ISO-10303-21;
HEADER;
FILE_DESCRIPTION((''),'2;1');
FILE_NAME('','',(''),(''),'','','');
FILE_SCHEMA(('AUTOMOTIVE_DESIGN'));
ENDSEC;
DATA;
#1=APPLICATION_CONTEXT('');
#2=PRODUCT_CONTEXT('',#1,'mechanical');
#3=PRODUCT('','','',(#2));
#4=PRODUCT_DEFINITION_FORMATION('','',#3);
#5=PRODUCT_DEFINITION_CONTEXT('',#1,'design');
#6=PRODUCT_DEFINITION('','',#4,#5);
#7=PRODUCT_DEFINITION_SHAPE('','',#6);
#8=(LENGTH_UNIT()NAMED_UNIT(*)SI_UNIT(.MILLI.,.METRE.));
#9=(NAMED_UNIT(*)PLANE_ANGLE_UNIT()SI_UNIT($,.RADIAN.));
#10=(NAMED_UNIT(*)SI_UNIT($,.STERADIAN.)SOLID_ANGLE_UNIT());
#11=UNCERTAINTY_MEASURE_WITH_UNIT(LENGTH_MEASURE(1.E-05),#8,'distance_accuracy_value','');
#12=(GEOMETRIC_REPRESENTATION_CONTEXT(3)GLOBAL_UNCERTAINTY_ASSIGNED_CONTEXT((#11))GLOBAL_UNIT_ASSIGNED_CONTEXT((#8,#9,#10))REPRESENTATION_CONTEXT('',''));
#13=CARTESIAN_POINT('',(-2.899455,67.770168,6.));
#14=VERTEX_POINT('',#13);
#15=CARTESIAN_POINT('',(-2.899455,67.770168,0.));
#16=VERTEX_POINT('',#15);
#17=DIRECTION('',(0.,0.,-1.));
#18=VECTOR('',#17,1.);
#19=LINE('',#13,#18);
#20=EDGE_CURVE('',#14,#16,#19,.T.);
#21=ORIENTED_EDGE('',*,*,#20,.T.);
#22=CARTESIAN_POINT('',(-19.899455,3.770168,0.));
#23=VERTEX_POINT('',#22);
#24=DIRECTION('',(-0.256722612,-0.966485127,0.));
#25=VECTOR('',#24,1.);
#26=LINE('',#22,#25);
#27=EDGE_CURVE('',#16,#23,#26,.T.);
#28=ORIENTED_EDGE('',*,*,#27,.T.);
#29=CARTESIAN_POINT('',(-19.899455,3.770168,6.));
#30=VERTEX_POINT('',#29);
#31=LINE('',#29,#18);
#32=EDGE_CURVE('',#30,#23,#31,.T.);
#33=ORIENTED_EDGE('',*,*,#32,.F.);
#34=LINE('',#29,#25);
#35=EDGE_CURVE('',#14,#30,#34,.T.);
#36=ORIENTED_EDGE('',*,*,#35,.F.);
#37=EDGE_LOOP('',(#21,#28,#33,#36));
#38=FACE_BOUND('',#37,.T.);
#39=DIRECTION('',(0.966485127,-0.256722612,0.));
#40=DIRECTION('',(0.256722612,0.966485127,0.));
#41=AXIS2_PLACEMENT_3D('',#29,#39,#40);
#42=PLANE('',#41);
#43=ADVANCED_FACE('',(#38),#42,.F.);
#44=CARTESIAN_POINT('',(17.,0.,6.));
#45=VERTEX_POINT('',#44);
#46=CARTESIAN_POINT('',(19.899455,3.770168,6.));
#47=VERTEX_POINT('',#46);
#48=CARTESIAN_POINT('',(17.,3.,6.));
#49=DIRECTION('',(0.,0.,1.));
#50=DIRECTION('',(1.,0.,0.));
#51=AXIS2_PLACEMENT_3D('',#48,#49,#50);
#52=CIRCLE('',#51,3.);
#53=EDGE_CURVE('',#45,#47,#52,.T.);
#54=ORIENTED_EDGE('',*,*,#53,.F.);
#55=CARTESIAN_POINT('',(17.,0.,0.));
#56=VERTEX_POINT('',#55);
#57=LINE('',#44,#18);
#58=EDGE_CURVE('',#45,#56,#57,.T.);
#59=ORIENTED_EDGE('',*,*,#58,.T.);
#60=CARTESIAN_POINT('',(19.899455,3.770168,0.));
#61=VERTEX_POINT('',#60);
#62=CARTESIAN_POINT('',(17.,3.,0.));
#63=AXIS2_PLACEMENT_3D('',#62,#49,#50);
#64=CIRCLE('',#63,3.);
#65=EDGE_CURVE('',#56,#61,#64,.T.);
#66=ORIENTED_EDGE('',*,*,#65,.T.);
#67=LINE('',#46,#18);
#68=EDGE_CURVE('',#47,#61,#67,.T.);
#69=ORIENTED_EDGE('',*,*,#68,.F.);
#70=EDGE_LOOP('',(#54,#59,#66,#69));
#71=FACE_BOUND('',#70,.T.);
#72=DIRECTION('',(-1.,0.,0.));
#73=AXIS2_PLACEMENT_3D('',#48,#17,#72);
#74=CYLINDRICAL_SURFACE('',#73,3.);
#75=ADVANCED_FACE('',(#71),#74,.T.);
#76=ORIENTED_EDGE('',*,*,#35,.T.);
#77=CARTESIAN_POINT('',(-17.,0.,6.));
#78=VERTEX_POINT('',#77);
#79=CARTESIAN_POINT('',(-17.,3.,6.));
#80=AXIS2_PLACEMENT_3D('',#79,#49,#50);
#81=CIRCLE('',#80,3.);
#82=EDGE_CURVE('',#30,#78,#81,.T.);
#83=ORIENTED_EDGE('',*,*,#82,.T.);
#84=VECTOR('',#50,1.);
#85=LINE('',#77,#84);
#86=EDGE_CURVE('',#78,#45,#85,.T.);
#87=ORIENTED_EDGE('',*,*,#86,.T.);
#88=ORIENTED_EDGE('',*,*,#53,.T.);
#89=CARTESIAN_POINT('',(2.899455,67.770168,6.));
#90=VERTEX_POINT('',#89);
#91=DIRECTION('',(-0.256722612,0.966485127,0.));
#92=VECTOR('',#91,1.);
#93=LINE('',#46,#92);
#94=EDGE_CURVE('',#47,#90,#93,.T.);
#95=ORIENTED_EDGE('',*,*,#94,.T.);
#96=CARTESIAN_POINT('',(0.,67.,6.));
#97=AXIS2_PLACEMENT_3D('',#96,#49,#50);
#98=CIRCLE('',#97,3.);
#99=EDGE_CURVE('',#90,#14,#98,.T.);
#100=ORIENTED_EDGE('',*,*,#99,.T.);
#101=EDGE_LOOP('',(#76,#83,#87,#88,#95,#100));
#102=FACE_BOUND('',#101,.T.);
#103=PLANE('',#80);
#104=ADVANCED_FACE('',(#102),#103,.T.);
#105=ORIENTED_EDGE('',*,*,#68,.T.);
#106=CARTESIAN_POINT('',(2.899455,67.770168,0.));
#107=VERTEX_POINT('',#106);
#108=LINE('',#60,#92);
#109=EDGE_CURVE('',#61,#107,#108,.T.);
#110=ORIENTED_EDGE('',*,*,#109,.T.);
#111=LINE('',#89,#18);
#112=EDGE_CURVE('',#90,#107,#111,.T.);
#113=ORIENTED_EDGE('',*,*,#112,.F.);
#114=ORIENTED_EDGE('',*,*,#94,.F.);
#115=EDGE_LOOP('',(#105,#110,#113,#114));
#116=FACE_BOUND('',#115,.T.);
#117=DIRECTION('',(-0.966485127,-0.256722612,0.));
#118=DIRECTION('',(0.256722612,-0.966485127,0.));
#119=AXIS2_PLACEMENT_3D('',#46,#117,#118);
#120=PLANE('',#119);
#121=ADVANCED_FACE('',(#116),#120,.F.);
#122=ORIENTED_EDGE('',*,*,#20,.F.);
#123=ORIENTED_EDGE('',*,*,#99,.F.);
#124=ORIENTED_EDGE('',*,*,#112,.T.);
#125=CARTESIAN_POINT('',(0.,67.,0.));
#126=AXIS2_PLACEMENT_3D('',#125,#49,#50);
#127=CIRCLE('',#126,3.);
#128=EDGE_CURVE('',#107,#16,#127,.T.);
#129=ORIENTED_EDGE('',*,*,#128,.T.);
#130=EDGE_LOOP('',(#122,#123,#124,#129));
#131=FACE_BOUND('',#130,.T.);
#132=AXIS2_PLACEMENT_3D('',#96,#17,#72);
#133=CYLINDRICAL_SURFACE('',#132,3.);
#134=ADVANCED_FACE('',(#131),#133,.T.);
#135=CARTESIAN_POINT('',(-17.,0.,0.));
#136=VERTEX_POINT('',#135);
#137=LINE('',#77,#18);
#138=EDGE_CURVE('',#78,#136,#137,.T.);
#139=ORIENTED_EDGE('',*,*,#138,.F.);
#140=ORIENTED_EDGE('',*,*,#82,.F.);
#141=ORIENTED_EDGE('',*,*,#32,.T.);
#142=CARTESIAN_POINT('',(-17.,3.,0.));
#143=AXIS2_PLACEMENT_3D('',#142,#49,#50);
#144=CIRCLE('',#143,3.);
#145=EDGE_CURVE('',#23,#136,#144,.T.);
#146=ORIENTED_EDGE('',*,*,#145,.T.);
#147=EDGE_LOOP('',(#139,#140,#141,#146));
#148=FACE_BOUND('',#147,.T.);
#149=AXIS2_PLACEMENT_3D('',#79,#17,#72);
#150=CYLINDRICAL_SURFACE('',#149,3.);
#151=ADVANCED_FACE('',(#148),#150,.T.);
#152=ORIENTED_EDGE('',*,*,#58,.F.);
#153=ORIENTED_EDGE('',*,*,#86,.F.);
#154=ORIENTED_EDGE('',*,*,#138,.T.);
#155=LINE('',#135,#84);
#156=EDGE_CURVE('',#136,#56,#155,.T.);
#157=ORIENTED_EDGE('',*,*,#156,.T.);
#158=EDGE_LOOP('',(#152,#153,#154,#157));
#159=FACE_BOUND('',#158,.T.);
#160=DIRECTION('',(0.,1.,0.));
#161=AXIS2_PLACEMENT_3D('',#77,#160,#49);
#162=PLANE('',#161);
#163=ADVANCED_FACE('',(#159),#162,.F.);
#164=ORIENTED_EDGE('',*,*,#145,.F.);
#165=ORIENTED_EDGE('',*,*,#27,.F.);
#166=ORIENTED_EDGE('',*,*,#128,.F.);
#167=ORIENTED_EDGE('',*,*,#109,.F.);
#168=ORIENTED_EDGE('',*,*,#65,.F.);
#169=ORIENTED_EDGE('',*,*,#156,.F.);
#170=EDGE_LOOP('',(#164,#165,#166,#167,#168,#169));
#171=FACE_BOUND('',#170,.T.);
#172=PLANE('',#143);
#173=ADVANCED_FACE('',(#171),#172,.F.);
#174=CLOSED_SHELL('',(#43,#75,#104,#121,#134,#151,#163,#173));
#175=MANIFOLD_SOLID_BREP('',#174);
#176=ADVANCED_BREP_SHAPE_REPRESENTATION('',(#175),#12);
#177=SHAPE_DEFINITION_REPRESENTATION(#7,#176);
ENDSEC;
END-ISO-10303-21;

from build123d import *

# Parameters (mm, degrees)
EXTRUDE1_DEPTH = 6


with BuildPart() as part:
    # Sketch1 → Extrude1 (new body)
    with BuildSketch(Plane.XY):
        with BuildLine():
            Line((-17, 0), (17, 0))
            ThreePointArc((17, 0), (19.378077323, 1.171134711), (19.899455381, 3.770167836))
            Line((19.899455381, 3.770167836), (2.899455381, 67.770167836))
            ThreePointArc((2.899455381, 67.770167836), (0, 70), (-2.899455381, 67.770167836))
            Line((-2.899455381, 67.770167836), (-19.899455381, 3.770167836))
            ThreePointArc((-19.899455381, 3.770167836), (-19.378077323, 1.171134711), (-17, 0))
        make_face()
    extrude(amount=EXTRUDE1_DEPTH)


solid = part.part
